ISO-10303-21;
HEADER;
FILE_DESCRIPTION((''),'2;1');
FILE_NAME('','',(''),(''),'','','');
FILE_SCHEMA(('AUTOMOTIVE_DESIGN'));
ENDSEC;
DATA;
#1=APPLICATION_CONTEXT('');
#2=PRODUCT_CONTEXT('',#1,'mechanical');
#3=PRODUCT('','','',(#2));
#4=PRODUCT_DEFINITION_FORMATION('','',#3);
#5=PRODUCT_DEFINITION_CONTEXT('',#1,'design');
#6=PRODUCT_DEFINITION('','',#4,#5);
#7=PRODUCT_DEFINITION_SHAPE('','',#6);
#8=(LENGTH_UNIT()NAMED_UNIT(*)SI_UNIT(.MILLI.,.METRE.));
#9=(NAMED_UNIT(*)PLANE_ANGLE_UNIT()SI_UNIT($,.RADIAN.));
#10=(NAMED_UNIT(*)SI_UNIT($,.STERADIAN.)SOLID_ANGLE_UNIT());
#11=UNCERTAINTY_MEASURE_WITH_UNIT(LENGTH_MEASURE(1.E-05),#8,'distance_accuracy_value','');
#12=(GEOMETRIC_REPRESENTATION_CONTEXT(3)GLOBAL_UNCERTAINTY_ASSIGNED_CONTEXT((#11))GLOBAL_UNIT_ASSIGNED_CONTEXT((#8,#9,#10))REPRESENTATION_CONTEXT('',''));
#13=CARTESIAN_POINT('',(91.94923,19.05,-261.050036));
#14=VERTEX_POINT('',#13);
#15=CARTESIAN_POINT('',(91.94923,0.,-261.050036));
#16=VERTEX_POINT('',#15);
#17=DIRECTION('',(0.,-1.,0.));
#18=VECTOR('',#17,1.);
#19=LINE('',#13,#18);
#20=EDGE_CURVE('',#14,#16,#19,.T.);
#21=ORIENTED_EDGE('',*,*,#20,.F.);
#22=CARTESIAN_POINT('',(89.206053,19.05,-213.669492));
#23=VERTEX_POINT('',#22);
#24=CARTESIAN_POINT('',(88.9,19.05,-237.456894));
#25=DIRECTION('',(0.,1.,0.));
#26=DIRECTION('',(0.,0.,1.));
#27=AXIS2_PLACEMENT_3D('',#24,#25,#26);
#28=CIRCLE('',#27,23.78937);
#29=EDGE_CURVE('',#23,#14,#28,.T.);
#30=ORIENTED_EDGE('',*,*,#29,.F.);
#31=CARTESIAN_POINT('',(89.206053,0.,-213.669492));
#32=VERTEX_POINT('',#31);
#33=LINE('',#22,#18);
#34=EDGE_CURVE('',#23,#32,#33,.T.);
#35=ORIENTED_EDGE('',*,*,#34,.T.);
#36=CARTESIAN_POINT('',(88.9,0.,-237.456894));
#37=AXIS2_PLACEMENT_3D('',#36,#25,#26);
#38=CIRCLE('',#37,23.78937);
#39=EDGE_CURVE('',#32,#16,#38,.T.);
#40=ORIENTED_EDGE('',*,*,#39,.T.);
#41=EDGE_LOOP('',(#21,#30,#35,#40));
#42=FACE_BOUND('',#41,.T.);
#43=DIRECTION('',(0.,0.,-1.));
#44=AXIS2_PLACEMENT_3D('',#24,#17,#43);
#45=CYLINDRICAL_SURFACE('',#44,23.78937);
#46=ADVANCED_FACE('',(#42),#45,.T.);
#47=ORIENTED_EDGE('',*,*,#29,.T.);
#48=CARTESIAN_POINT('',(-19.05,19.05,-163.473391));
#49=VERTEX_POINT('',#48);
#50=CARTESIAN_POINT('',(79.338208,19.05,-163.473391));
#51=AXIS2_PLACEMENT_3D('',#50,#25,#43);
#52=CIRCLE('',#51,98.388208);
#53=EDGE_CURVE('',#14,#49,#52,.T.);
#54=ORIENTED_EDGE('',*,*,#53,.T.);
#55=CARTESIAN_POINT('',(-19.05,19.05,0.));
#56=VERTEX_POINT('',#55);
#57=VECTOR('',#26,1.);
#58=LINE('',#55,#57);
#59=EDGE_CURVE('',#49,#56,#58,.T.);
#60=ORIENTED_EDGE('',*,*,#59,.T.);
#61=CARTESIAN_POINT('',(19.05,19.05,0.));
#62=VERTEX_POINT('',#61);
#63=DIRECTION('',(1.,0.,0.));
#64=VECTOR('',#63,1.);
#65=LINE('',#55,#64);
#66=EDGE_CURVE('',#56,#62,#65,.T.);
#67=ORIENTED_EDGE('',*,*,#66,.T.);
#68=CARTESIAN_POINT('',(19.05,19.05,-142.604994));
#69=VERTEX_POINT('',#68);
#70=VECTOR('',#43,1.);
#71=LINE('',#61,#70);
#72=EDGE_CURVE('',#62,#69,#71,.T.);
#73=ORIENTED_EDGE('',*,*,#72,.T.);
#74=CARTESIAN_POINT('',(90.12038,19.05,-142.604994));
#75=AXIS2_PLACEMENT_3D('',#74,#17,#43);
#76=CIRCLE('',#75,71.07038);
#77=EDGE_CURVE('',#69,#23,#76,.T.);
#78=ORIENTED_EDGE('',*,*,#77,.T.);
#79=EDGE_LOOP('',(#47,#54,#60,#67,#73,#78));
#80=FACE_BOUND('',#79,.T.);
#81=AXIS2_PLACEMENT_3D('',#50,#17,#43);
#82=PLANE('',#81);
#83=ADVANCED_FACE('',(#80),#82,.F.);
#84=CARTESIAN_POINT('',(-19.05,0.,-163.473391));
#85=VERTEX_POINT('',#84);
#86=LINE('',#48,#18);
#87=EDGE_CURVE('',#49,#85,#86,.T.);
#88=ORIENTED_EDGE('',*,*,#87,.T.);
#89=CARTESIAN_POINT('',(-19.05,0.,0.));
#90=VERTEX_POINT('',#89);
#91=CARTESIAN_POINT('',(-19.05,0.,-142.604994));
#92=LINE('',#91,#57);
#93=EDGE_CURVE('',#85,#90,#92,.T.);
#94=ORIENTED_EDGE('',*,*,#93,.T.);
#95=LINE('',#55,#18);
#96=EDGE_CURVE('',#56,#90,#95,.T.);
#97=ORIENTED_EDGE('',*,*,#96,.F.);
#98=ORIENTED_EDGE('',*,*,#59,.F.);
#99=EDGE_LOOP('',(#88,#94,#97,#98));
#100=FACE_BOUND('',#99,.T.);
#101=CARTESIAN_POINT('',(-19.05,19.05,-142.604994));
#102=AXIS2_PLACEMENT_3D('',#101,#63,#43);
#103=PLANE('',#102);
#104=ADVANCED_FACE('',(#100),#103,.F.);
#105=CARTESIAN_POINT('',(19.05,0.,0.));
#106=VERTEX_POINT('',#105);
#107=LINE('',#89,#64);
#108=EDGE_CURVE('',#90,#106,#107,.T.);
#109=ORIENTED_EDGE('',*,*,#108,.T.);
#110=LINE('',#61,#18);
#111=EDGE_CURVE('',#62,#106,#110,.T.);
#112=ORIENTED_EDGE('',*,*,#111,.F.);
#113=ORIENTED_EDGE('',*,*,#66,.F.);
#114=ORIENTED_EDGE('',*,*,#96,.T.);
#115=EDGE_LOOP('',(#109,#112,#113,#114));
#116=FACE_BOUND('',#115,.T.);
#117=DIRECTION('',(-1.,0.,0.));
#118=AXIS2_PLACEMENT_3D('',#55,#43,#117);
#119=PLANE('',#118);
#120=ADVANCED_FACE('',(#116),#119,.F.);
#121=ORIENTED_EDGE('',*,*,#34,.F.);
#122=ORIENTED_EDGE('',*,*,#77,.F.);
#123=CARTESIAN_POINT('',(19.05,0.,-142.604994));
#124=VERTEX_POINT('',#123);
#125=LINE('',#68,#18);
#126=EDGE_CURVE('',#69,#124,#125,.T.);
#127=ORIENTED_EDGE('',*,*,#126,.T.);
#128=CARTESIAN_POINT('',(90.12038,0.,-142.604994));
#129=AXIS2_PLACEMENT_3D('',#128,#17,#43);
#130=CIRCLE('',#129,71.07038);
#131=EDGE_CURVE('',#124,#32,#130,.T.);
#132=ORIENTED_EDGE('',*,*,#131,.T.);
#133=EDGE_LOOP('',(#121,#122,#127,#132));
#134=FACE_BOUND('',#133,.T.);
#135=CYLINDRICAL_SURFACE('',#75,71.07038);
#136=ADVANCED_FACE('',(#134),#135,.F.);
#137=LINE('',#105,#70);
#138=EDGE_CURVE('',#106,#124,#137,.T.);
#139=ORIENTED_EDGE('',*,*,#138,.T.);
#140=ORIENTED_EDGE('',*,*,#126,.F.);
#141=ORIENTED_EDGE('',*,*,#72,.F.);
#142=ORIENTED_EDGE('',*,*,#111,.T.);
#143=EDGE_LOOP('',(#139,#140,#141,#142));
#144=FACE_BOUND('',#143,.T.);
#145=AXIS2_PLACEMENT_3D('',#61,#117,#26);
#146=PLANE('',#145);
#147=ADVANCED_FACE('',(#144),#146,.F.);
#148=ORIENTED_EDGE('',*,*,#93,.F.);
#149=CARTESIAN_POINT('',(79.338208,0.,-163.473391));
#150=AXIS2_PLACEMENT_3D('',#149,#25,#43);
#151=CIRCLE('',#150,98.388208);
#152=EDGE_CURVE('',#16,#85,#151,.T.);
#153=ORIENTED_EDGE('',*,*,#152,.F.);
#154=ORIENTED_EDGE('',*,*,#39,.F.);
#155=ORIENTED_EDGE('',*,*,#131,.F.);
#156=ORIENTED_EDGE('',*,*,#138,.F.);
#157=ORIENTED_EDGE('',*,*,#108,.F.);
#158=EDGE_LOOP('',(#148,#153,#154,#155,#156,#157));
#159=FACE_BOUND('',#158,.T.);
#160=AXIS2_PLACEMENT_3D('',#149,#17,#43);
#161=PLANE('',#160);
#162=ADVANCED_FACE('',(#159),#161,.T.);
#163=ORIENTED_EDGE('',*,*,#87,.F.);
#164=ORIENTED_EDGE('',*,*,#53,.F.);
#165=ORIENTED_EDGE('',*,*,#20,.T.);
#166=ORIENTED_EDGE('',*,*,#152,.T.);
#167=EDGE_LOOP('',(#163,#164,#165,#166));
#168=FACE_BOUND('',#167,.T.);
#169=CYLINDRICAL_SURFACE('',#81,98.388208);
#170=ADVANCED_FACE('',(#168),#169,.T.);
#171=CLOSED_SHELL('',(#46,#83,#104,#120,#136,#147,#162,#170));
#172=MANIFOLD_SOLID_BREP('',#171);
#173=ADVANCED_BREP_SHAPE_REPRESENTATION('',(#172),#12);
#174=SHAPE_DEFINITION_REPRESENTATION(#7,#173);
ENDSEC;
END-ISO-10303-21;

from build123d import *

# Parameters (mm, degrees)
BOSS_EXTRUDE1_DEPTH = 19.05


with BuildPart() as part:
    # Sketch1 → Boss-Extrude1 (new body)
    with BuildSketch(Plane(origin=(0, 0, 0), x_dir=(1, 0, 0), z_dir=(0, 1, 0))):
        with BuildLine():
            Line((-19.05, 142.604993733), (-19.05, 163.473390846))
            ThreePointArc((-19.05, 163.473390846), (14.378745185, 237.368638748), (91.949229987, 261.050035552))
            ThreePointArc((91.949229987, 261.050035552), (112.649599057, 236.081870166), (89.206052596, 213.669492074))
            ThreePointArc((89.206052596, 213.669492074), (39.543801874, 192.535031386), (19.05, 142.604993733))
            Line((19.05, 142.604993733), (19.05, 0))
            Line((19.05, 0), (-19.05, 0))
            Line((-19.05, 0), (-19.05, 142.604993733))
        make_face()
    extrude(amount=BOSS_EXTRUDE1_DEPTH)


solid = part.part
